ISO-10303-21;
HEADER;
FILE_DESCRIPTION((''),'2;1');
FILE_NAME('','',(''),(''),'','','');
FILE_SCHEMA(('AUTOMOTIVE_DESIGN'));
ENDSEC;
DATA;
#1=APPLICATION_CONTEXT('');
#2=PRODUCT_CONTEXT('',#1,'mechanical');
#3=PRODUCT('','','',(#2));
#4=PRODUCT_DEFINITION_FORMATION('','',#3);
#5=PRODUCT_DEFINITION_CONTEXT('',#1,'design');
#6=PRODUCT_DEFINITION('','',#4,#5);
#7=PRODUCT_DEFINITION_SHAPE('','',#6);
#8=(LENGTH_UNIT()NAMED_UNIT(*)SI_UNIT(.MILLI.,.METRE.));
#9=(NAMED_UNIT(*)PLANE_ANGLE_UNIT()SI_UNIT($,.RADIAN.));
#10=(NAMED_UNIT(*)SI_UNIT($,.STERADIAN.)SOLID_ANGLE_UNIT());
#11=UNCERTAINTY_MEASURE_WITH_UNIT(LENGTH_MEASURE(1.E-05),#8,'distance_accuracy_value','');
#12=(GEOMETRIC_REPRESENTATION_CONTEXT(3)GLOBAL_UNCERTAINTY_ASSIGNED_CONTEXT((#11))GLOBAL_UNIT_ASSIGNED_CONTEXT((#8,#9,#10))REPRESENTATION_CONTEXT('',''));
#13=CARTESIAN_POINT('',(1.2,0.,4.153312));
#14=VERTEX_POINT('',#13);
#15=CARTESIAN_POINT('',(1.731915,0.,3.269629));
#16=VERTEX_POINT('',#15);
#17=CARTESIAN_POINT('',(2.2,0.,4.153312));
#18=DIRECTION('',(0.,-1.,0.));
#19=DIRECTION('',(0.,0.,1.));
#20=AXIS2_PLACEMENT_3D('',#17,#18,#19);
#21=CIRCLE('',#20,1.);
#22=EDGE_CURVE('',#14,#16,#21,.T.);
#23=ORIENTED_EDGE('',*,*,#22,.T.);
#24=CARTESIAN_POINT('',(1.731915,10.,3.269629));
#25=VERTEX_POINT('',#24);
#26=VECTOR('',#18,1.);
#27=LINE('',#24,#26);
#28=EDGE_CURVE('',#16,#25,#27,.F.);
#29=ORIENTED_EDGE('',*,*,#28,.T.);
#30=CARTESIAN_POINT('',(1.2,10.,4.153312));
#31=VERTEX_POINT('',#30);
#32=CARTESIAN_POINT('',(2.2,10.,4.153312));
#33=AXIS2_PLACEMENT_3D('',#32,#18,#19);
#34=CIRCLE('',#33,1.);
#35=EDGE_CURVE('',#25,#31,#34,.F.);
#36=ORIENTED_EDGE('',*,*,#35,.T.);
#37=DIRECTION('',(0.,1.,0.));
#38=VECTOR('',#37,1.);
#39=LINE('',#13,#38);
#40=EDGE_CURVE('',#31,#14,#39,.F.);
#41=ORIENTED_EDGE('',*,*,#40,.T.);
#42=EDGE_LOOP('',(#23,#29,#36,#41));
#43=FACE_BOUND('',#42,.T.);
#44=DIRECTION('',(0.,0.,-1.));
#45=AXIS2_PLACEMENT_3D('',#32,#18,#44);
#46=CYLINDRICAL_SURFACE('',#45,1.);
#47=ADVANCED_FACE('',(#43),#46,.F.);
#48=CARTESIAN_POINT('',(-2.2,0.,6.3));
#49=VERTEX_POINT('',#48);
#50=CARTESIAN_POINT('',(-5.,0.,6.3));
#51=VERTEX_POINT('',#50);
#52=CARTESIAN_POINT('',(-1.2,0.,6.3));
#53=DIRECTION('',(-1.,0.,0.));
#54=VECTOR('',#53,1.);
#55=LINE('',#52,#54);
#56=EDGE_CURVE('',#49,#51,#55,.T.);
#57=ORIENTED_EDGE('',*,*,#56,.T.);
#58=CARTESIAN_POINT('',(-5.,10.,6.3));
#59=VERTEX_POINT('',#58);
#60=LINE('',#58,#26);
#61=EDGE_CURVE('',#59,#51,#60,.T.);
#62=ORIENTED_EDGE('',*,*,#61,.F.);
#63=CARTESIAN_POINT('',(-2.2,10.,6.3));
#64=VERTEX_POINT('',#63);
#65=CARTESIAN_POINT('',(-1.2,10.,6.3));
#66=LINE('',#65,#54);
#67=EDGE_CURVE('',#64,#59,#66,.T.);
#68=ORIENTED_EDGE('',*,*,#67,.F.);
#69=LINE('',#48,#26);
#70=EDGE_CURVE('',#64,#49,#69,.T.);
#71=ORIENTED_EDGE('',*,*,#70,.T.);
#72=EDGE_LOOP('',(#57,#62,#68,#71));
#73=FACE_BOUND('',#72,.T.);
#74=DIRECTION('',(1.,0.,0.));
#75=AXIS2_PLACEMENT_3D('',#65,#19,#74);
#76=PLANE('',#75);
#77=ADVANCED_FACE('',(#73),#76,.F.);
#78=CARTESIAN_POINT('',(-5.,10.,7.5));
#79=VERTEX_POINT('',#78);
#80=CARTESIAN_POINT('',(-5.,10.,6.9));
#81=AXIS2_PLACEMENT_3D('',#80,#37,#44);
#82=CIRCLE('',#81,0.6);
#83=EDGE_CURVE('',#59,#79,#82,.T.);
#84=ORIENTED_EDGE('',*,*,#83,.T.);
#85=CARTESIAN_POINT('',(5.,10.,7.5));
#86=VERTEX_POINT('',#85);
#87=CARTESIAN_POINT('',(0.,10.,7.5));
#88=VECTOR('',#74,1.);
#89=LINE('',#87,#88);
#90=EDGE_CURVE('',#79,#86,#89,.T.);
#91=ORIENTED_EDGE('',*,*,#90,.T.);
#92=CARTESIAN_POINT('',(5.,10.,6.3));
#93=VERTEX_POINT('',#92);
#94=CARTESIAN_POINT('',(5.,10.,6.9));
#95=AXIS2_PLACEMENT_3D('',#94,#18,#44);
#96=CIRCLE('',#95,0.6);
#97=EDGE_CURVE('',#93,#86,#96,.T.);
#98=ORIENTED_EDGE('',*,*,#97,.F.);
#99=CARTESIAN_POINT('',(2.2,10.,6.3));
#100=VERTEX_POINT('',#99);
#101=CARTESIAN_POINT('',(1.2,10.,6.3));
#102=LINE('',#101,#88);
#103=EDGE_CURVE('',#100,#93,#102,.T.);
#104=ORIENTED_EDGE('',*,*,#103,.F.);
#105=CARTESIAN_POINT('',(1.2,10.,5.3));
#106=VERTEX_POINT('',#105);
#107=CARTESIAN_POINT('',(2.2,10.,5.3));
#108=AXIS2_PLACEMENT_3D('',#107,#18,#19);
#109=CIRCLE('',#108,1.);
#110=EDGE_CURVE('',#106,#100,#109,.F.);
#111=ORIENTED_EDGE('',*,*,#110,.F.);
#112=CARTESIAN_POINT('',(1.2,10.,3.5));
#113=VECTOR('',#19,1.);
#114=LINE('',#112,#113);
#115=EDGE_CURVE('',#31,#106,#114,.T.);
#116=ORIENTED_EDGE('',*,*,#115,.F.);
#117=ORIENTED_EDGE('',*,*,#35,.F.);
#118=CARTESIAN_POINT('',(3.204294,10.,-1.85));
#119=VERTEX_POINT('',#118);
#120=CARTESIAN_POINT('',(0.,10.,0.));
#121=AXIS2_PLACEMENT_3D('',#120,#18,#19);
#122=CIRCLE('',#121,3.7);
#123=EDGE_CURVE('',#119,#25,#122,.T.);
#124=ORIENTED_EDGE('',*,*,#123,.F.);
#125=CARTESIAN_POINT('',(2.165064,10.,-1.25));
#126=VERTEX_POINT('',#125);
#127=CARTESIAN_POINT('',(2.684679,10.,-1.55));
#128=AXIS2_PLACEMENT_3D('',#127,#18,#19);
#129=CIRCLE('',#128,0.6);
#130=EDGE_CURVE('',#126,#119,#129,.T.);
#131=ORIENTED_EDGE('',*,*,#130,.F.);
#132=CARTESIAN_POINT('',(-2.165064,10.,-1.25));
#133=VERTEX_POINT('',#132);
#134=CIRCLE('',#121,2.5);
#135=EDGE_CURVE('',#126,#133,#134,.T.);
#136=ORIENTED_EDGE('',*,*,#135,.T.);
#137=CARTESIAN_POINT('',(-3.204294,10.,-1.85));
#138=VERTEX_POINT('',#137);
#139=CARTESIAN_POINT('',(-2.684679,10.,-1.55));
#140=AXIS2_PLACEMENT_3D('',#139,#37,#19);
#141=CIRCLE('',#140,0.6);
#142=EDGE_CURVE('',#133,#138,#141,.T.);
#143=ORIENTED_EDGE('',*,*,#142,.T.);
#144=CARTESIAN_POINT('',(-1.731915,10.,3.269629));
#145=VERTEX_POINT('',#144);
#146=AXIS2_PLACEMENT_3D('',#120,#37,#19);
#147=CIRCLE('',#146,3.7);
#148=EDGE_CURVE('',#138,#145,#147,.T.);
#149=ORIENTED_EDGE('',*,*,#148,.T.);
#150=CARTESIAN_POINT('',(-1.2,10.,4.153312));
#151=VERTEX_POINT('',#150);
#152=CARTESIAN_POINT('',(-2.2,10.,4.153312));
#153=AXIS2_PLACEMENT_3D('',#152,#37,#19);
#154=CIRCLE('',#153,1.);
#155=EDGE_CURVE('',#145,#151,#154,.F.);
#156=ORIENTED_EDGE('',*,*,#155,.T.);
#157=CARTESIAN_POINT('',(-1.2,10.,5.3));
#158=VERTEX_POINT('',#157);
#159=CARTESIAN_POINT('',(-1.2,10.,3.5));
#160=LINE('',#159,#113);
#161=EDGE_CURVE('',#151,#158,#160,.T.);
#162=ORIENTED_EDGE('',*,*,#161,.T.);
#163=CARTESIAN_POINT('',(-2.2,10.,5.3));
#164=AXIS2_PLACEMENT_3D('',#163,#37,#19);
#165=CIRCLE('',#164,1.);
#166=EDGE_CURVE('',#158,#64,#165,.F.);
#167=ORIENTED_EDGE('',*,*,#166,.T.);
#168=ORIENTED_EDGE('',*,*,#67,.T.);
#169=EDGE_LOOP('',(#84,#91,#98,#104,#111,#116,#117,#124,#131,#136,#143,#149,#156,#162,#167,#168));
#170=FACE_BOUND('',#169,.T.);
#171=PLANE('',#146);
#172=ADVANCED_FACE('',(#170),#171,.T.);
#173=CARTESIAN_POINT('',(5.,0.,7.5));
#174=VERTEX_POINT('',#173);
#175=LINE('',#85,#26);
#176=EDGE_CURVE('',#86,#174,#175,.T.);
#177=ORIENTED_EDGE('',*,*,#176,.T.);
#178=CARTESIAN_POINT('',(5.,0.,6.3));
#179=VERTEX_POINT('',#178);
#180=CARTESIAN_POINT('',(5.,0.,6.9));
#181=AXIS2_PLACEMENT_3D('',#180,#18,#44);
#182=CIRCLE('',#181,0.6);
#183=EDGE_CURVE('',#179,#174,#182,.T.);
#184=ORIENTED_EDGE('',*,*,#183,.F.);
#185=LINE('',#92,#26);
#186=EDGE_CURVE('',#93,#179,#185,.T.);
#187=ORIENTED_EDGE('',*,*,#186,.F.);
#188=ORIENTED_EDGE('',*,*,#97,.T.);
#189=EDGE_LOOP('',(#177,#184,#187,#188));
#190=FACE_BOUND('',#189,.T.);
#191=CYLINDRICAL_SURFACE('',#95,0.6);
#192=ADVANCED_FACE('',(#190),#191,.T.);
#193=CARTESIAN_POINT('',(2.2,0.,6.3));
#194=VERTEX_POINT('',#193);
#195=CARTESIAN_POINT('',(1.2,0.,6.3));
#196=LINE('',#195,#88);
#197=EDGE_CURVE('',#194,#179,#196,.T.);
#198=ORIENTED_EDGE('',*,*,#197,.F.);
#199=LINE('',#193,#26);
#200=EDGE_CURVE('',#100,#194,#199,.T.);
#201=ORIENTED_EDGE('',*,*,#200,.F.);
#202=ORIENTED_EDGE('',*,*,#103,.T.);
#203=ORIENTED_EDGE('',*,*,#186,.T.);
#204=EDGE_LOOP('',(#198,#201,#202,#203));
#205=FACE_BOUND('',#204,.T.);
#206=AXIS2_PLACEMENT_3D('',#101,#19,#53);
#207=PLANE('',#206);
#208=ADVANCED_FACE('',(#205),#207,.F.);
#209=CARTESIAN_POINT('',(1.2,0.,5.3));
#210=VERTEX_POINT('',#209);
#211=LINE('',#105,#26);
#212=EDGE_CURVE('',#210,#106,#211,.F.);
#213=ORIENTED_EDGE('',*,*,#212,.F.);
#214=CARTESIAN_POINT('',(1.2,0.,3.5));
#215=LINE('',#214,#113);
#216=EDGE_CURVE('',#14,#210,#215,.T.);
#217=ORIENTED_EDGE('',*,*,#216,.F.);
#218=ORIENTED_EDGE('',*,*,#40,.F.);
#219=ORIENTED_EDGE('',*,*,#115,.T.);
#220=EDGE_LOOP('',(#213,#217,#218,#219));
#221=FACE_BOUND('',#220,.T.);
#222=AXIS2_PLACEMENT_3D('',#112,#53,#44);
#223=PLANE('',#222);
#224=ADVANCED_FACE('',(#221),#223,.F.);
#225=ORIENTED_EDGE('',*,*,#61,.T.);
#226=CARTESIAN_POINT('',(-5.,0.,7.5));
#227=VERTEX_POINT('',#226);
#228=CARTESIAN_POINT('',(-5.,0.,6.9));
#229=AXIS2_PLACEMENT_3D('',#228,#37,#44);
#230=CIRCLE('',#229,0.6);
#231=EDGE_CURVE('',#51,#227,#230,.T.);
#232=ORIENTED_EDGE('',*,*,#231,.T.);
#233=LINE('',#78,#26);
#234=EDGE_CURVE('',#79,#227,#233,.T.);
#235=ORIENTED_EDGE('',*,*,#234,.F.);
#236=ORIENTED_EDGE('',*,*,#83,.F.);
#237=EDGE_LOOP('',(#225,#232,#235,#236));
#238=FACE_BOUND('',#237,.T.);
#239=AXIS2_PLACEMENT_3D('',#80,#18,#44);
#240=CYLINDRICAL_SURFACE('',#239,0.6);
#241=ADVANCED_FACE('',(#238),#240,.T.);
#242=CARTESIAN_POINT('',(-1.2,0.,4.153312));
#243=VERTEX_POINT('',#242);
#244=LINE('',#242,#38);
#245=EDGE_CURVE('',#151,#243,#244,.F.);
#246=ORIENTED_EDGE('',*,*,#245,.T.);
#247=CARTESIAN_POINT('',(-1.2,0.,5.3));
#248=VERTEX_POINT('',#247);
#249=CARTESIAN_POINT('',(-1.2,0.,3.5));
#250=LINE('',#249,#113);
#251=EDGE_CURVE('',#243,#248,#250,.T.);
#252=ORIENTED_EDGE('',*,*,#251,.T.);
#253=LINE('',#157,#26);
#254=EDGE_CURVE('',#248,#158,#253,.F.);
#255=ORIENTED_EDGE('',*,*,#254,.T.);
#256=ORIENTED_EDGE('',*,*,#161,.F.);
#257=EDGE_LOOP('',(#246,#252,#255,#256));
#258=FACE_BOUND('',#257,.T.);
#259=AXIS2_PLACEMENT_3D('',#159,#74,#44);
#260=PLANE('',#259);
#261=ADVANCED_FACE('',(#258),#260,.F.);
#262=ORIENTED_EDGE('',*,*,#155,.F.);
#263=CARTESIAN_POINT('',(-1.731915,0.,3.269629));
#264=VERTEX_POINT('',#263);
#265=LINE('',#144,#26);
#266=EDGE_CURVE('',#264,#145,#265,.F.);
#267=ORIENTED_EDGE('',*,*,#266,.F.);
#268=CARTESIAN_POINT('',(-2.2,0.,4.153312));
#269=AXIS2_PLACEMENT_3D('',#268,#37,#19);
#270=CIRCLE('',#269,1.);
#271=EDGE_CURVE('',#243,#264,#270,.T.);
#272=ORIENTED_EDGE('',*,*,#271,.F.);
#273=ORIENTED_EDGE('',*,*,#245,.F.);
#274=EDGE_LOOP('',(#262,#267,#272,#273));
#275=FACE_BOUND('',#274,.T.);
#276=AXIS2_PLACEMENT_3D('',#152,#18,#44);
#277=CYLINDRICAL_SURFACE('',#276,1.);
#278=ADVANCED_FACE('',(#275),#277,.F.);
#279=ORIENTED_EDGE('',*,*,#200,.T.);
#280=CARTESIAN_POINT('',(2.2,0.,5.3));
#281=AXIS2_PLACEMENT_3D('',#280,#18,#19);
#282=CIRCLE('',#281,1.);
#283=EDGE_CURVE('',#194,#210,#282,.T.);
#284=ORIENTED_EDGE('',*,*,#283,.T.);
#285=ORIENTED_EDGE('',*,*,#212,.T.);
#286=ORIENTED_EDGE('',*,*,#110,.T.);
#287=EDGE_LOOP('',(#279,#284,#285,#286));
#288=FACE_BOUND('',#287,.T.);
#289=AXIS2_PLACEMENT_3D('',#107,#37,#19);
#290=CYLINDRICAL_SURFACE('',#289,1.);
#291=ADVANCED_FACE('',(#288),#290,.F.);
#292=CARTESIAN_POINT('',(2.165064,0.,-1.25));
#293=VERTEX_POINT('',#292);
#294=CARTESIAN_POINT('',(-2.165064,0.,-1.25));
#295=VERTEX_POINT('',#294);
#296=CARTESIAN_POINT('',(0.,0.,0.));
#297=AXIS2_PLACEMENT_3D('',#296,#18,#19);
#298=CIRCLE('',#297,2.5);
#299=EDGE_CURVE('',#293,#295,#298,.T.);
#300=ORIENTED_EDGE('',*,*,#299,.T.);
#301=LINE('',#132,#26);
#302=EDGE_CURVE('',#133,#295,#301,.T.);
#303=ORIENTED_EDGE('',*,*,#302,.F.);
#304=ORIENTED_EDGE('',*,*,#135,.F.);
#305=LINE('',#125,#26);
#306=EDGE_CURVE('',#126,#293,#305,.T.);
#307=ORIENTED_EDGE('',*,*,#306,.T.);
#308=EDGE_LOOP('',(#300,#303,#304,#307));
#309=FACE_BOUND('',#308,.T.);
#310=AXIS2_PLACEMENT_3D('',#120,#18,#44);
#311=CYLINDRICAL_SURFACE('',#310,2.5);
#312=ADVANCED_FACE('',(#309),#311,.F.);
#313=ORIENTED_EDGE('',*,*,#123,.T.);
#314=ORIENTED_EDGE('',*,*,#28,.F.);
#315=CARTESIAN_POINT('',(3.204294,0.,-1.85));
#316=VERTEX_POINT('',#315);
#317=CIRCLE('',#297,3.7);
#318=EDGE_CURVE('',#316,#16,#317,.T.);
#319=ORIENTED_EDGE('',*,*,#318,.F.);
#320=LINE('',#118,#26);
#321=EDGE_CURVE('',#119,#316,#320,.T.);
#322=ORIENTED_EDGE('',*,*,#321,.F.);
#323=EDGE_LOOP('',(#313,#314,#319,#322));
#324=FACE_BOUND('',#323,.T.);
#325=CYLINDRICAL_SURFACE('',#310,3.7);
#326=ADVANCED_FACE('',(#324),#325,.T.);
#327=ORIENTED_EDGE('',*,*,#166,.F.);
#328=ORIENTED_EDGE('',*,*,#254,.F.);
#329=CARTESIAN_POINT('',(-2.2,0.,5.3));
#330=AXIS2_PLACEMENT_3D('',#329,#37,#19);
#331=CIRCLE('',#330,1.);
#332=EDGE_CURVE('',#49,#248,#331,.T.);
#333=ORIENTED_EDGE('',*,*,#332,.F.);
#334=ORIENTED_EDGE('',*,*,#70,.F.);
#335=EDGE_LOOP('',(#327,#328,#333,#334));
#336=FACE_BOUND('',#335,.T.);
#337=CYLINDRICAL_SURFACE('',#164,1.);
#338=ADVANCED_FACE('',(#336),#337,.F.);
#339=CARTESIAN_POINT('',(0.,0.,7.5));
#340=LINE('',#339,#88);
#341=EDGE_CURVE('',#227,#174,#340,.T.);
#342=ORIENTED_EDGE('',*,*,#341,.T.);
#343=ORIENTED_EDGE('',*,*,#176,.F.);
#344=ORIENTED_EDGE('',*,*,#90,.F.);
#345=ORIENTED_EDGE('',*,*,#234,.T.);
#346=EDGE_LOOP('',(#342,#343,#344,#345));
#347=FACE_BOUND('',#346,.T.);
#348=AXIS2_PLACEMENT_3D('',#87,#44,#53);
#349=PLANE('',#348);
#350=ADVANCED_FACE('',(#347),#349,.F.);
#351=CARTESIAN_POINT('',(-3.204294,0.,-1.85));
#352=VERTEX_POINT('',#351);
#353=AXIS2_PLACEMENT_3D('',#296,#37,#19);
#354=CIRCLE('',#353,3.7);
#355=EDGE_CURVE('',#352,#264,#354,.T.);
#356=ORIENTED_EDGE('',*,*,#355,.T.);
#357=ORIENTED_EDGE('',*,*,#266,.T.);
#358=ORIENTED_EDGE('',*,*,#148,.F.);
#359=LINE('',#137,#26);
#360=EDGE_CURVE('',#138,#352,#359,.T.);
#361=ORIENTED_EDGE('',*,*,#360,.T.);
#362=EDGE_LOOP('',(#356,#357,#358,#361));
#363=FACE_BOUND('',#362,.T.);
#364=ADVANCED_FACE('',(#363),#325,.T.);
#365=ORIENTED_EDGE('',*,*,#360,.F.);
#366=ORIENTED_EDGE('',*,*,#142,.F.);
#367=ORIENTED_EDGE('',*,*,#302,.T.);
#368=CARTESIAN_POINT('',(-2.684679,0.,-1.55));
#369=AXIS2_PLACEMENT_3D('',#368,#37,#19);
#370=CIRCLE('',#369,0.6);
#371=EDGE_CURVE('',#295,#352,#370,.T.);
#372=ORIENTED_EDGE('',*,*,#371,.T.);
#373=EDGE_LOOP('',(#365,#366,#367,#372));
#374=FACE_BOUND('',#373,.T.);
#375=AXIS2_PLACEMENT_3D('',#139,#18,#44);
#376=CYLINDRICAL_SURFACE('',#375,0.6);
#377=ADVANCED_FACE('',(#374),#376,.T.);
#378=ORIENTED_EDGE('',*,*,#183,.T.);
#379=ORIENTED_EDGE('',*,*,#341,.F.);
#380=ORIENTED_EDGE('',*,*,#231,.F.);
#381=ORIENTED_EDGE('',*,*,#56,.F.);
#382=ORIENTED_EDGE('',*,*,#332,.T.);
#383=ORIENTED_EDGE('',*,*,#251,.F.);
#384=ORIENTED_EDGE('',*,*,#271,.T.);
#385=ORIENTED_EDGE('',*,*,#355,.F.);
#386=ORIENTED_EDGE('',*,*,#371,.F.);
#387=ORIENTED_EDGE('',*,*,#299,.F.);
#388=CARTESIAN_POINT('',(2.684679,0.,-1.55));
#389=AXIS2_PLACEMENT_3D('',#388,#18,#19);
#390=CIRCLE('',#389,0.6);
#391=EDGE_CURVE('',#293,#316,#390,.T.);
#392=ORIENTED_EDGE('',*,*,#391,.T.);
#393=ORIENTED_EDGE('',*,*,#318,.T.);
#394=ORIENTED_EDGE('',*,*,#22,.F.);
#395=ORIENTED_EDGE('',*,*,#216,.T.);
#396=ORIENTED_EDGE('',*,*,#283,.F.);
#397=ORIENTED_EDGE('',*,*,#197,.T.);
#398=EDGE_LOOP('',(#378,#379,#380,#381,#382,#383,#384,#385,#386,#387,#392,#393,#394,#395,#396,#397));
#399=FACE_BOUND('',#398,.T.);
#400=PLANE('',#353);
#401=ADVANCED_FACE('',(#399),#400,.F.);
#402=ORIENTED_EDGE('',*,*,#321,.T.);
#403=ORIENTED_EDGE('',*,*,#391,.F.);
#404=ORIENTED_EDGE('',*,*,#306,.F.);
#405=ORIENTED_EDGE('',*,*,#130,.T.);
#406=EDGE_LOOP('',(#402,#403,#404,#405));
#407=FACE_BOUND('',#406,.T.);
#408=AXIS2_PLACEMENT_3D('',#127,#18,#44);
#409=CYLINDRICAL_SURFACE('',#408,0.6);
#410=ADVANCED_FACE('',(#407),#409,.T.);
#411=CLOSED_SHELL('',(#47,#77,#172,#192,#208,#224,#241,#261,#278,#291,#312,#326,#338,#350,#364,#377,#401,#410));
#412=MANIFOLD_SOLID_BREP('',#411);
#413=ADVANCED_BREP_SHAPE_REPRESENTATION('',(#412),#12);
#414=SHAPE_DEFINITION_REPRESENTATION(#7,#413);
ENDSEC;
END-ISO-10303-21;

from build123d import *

# Parameters (mm, degrees)
BOSS_EXTRUDE1_DEPTH = 10
FILLET1_R           = 1


with BuildPart() as part:
    # Sketch1 → Boss-Extrude1 (new body)
    with BuildSketch(Plane(origin=(0, 0, 0), x_dir=(1, 0, 0), z_dir=(0, 1, 0))):
        with BuildLine():
            Line((0, -2.5), (0, -7.5))
            Line((0, -7.5), (-5, -7.5))
            ThreePointArc((-5, -7.5), (-5.6, -6.9), (-5, -6.3))
            Line((-5, -6.3), (-1.2, -6.3))
            Line((-1.2, -6.3), (-1.2, -3.5))
            ThreePointArc((-1.2, -3.5), (-3.464834252, -1.298046071), (-3.204293994, 1.85))
            ThreePointArc((-3.204293994, 1.85), (-2.384678752, 2.069615242), (-2.165063509, 1.25))
            ThreePointArc((-2.165063509, 1.25), (-2.165063509, -1.25), (0, -2.5))
        make_face()
    extrude(amount=BOSS_EXTRUDE1_DEPTH)

    # Fillet1
    fillet1_edges = [part.edges().sort_by_distance(p)[0] for p in [
        (-1.2, 5, 6.3),
        (-1.2, 5, 3.5),
    ]]
    fillet(fillet1_edges, radius=FILLET1_R)

    # Mirror1: part across plane


with BuildPart() as part_1:
    add(part.part)
    add(part.part.mirror(Plane(origin=(0, 10, 2.5), x_dir=(0, 0, 1), z_dir=(-1, 0, 0))))


solid = part_1.part
